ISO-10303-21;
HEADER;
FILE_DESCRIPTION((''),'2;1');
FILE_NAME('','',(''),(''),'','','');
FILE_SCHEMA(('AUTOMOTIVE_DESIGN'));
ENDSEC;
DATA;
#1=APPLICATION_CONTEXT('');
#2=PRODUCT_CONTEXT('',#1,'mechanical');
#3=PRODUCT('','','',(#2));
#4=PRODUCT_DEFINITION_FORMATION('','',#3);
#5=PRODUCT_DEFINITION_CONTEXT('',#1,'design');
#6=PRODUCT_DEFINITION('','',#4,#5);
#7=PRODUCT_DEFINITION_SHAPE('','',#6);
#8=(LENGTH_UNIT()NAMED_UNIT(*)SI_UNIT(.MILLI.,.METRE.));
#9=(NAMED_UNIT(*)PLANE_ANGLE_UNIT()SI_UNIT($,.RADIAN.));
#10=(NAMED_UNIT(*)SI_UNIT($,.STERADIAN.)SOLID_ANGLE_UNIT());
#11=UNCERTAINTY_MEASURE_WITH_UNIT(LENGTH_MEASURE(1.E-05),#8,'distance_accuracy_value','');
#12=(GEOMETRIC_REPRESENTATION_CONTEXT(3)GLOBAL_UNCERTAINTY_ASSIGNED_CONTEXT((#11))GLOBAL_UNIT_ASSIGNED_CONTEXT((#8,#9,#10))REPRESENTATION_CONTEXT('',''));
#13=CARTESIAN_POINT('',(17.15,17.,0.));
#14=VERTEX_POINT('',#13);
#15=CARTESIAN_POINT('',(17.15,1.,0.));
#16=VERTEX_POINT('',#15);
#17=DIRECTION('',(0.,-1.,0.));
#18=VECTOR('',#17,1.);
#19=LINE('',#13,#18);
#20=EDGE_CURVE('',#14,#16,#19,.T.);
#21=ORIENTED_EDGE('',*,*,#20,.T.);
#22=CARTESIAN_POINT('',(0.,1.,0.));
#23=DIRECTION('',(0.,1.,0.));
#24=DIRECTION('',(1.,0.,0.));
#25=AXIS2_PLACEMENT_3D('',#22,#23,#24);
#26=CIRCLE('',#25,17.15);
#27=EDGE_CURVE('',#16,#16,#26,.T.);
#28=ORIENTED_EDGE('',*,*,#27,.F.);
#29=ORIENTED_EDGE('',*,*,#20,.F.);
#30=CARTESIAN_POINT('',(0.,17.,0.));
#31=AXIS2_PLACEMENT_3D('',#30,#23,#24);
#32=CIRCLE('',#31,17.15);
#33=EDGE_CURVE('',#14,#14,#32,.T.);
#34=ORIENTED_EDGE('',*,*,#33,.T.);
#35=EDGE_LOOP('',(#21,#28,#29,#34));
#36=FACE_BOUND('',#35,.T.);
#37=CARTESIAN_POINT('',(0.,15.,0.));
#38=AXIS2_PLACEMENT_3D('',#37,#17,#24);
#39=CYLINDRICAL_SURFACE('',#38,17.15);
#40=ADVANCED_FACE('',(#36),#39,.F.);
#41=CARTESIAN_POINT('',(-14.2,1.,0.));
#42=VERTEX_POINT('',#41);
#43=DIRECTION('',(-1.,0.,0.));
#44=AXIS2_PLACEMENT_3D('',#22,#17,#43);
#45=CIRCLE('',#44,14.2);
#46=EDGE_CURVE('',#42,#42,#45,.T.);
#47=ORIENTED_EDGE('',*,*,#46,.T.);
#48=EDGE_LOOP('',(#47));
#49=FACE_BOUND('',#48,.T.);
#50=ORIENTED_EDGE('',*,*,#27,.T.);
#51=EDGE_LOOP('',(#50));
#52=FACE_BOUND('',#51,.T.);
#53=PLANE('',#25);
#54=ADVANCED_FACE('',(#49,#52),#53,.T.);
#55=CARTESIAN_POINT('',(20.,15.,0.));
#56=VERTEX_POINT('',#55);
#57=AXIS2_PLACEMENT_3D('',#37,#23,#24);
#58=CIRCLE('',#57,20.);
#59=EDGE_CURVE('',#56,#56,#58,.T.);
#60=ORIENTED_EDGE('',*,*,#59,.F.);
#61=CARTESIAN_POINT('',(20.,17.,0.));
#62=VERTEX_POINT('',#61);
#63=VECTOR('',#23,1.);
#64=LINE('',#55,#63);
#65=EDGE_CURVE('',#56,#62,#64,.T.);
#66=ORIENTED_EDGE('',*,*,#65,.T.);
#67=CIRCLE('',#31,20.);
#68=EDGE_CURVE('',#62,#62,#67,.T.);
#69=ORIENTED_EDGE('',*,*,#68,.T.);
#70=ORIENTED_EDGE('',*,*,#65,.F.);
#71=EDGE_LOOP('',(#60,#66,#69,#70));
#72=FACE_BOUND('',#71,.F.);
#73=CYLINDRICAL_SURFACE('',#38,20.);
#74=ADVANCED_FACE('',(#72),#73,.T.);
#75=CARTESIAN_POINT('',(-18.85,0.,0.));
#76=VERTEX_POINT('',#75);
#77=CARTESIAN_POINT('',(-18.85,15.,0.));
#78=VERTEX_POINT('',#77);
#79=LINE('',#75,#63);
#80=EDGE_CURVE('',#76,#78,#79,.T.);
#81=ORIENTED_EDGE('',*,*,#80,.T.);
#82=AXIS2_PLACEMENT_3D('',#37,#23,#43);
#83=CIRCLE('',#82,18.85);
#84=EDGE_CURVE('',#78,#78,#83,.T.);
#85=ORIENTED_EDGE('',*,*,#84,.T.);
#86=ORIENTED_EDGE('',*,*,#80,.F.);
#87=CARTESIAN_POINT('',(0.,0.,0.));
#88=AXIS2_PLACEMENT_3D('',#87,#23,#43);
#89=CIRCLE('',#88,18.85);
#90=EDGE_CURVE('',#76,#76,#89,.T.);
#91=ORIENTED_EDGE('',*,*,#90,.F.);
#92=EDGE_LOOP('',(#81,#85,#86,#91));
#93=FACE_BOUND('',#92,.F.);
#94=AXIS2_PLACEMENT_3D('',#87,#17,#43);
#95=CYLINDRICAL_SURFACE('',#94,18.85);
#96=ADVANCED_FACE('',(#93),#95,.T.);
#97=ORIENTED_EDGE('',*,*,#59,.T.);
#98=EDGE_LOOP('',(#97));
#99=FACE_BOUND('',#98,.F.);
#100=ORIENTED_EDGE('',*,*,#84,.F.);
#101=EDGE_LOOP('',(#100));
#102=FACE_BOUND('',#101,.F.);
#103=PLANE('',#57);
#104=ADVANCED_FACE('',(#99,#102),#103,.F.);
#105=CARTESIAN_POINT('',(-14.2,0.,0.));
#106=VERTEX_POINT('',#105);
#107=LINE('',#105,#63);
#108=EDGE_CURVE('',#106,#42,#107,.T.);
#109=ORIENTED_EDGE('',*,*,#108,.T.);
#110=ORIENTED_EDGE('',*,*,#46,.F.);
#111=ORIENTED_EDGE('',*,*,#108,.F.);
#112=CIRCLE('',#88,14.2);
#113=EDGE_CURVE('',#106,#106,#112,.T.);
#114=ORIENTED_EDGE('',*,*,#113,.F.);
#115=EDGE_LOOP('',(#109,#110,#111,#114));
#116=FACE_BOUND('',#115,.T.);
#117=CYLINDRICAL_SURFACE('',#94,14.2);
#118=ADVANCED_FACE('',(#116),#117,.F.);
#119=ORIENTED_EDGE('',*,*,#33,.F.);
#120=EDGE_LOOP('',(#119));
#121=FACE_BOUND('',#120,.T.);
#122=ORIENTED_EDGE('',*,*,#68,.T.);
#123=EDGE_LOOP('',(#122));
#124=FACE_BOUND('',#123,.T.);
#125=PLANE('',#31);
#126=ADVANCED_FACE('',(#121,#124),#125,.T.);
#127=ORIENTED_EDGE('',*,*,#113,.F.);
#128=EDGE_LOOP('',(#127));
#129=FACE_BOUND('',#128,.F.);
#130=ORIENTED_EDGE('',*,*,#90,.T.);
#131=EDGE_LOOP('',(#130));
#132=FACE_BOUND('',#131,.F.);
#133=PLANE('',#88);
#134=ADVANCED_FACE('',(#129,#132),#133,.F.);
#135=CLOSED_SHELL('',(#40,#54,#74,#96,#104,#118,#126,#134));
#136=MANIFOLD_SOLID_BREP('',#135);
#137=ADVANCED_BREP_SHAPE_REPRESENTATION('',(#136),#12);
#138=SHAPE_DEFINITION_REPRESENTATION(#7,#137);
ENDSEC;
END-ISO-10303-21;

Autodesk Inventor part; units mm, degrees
ref_plane "YZ Plane" through (0, 0, 0) normal (1, 0, 0) x (0, 1, 0)
ref_plane "XZ Plane" through (0, 0, 0) normal (0, 1, 0) x (-1, 0, 0)
ref_plane "XY Plane" through (0, 0, 0) normal (0, 0, 1) x (1, 0, 0)
sketch "スケッチ1" plane through (0, 0, 0) normal (0, 1, 0) x (-1, 0, 0)
  circle A0 centre (0, 0) radius 18.85
  circle A1 centre (0, 0) radius 14.2
  dimension "d0" = 37.7
  dimension "d1" = 28.4
extrude "押し出し1" add sketch "スケッチ1" along normal blind 15
sketch "スケッチ2" plane through (0, 15, 0) normal (0, 1, 0) x (1, 0, 0)
  circle A0 centre (0, 0) radius 17.15
  dimension "d4" = 34.3
extrude "押し出し2" cut sketch "スケッチ2" against normal blind 14
sketch "スケッチ3" plane through (0, 15, 0) normal (0, 1, 0) x (1, 0, 0)
  circle A0 centre (0, 0) radius 17.15
  circle A1 centre (0, 0) radius 20
  dimension "d7" = 34.3
  dimension "d8" = 40
extrude "押し出し3" add sketch "スケッチ3" along normal blind 2
properties part number "B_pipe_flange_spacer_5" material "ステンレス鋼"
